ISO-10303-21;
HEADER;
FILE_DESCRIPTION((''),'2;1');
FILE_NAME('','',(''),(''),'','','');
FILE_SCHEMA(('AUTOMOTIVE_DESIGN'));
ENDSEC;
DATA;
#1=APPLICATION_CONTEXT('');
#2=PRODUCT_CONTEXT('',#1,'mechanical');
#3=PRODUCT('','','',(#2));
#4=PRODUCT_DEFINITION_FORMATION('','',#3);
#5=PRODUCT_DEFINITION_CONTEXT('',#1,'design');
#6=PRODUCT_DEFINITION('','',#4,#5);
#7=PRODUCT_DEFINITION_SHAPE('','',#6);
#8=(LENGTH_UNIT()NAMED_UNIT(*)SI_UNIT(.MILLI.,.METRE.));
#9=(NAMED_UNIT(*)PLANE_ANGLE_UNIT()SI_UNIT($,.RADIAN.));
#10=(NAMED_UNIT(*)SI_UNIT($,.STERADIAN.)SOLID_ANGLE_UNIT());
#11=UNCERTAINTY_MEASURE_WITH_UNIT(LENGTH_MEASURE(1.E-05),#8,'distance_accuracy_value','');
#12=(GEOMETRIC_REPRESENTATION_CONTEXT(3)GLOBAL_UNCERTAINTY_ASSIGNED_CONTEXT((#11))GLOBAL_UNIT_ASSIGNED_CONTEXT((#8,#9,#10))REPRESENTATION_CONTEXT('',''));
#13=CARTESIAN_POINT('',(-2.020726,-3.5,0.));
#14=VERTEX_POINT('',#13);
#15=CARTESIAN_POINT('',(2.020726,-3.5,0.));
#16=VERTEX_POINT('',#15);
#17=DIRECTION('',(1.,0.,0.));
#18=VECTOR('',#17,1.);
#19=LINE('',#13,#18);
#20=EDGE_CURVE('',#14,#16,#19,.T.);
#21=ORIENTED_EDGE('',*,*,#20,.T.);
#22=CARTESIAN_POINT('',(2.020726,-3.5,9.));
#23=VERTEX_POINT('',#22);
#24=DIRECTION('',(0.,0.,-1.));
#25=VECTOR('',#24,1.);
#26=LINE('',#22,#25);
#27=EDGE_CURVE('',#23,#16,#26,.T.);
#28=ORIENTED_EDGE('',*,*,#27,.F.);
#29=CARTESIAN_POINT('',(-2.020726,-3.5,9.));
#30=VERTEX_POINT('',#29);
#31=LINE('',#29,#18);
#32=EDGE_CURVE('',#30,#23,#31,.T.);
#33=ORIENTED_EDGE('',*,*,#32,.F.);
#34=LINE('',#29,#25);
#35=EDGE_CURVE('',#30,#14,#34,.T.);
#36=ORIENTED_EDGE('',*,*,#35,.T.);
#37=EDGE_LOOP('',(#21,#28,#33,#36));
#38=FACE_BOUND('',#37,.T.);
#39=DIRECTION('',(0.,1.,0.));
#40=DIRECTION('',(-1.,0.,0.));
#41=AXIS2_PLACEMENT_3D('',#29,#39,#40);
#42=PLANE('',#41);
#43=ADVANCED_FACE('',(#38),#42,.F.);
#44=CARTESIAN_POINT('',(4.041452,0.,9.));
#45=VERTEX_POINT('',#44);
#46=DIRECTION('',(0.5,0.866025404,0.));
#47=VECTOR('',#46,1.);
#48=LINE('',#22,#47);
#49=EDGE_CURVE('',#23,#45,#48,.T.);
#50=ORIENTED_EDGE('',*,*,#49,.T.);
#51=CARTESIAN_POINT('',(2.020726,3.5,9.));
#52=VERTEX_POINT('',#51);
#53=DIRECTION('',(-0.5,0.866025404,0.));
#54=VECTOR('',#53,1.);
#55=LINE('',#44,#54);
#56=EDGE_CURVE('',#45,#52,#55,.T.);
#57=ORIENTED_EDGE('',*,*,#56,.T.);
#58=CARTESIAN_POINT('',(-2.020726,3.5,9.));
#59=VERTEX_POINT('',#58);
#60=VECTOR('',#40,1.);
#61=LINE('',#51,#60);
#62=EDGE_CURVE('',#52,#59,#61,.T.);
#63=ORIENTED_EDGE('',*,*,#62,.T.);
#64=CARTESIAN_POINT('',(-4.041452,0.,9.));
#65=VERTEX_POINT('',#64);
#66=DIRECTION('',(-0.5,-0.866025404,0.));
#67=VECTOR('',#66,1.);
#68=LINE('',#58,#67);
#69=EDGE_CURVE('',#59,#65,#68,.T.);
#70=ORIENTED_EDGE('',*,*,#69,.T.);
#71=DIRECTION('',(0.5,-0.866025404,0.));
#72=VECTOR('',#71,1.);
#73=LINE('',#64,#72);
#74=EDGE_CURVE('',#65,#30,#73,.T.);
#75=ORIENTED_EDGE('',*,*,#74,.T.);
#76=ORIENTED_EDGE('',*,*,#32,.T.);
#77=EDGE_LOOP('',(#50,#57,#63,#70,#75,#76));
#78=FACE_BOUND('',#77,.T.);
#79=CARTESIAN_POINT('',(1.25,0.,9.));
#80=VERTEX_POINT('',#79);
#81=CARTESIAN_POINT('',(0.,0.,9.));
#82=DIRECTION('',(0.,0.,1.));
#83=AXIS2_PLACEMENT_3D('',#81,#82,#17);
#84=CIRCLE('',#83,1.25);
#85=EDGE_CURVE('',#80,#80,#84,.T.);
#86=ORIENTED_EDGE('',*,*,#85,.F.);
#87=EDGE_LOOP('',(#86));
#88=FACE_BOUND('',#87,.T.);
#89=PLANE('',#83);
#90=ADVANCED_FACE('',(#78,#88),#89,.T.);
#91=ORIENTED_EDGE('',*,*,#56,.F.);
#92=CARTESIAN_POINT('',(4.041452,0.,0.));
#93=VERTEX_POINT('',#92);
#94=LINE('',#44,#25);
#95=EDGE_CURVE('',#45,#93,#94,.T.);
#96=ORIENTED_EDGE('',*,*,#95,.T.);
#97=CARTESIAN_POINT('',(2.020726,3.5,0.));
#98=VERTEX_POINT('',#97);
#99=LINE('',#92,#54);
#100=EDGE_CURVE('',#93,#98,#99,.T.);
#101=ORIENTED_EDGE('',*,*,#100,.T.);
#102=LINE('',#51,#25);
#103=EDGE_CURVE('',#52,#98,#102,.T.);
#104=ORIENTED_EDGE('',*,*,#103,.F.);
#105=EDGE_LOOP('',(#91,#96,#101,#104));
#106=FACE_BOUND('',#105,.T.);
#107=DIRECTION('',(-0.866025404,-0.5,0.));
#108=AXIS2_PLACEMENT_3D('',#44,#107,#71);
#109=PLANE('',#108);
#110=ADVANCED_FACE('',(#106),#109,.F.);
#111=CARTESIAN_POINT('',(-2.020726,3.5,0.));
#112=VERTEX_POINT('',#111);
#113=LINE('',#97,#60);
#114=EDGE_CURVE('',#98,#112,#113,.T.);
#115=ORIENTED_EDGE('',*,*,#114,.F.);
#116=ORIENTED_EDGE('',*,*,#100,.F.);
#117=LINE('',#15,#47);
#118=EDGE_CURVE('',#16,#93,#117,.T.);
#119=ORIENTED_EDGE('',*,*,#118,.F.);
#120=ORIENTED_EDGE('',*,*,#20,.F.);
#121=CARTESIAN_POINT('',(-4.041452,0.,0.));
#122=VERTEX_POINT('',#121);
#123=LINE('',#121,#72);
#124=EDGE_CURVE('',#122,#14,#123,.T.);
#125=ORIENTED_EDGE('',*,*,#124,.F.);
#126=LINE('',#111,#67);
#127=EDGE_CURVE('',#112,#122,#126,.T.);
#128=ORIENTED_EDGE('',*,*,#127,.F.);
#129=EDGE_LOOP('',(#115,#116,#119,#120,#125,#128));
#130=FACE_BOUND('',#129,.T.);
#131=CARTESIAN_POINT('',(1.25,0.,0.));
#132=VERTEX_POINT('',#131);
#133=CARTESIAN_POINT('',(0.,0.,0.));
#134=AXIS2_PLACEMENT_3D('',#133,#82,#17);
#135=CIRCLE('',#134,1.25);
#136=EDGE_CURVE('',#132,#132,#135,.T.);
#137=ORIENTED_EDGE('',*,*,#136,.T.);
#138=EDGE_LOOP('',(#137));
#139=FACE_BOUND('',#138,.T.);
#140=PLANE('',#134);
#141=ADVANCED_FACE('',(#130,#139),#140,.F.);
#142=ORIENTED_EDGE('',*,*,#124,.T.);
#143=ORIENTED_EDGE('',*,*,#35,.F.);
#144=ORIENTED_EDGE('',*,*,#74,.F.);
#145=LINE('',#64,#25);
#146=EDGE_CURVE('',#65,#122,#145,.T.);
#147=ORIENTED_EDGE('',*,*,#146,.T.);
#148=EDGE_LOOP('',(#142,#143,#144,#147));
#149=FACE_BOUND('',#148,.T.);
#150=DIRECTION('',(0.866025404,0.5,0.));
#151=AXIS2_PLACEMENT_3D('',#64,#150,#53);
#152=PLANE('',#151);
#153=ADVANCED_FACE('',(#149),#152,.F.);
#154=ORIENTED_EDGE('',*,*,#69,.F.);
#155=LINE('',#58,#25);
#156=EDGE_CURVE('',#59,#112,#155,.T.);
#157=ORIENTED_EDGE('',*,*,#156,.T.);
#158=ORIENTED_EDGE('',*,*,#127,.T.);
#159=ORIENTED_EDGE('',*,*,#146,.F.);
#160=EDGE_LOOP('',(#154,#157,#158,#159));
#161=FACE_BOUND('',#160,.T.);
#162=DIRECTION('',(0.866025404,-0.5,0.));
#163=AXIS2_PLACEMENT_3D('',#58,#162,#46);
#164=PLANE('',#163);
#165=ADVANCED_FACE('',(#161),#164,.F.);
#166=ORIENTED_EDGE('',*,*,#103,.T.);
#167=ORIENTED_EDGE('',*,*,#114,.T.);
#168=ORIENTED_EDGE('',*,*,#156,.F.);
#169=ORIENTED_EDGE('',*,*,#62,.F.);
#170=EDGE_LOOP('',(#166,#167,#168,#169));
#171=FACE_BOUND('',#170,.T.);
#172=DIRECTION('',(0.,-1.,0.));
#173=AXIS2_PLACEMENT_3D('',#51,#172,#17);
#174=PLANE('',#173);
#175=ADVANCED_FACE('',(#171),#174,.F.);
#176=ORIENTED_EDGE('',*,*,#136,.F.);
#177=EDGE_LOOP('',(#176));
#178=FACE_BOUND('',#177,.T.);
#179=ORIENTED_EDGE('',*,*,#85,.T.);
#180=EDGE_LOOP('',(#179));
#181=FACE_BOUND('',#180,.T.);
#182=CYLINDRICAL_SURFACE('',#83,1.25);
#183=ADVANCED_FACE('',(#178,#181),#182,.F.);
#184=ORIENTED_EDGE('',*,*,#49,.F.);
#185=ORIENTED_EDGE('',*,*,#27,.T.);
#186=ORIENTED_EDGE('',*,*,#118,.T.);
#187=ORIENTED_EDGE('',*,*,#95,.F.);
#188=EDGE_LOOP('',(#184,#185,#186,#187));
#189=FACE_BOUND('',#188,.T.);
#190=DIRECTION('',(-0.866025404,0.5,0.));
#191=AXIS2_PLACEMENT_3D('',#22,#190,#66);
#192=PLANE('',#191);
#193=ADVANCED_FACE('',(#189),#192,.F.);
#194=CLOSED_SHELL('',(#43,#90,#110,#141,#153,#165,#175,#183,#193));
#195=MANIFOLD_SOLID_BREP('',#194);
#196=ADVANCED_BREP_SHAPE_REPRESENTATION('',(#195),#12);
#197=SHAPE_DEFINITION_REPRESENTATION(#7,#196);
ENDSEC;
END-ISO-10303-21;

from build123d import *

# Parameters (mm, degrees)
EXTRUDE_1_DEPTH = 9
M3X0_5_1_D      = 2.5


with BuildPart() as part:
    # 草圖1 → 填料-伸長1 (new body)
    with BuildSketch(Plane.XY):
        Polygon((-2.020725942, 3.5), (-4.041451884, 0), (-2.020725942, -3.5), (2.020725942, -3.5), (4.041451884, 0), (2.020725942, 3.5), align=None)
    extrude(amount=EXTRUDE_1_DEPTH)

    # M3x0.5 螺紋孔1 (through all)
    with Locations(Plane.XY.offset(9)):
        with Locations((0, 0)):
            Hole(M3X0_5_1_D / 2)


solid = part.part
